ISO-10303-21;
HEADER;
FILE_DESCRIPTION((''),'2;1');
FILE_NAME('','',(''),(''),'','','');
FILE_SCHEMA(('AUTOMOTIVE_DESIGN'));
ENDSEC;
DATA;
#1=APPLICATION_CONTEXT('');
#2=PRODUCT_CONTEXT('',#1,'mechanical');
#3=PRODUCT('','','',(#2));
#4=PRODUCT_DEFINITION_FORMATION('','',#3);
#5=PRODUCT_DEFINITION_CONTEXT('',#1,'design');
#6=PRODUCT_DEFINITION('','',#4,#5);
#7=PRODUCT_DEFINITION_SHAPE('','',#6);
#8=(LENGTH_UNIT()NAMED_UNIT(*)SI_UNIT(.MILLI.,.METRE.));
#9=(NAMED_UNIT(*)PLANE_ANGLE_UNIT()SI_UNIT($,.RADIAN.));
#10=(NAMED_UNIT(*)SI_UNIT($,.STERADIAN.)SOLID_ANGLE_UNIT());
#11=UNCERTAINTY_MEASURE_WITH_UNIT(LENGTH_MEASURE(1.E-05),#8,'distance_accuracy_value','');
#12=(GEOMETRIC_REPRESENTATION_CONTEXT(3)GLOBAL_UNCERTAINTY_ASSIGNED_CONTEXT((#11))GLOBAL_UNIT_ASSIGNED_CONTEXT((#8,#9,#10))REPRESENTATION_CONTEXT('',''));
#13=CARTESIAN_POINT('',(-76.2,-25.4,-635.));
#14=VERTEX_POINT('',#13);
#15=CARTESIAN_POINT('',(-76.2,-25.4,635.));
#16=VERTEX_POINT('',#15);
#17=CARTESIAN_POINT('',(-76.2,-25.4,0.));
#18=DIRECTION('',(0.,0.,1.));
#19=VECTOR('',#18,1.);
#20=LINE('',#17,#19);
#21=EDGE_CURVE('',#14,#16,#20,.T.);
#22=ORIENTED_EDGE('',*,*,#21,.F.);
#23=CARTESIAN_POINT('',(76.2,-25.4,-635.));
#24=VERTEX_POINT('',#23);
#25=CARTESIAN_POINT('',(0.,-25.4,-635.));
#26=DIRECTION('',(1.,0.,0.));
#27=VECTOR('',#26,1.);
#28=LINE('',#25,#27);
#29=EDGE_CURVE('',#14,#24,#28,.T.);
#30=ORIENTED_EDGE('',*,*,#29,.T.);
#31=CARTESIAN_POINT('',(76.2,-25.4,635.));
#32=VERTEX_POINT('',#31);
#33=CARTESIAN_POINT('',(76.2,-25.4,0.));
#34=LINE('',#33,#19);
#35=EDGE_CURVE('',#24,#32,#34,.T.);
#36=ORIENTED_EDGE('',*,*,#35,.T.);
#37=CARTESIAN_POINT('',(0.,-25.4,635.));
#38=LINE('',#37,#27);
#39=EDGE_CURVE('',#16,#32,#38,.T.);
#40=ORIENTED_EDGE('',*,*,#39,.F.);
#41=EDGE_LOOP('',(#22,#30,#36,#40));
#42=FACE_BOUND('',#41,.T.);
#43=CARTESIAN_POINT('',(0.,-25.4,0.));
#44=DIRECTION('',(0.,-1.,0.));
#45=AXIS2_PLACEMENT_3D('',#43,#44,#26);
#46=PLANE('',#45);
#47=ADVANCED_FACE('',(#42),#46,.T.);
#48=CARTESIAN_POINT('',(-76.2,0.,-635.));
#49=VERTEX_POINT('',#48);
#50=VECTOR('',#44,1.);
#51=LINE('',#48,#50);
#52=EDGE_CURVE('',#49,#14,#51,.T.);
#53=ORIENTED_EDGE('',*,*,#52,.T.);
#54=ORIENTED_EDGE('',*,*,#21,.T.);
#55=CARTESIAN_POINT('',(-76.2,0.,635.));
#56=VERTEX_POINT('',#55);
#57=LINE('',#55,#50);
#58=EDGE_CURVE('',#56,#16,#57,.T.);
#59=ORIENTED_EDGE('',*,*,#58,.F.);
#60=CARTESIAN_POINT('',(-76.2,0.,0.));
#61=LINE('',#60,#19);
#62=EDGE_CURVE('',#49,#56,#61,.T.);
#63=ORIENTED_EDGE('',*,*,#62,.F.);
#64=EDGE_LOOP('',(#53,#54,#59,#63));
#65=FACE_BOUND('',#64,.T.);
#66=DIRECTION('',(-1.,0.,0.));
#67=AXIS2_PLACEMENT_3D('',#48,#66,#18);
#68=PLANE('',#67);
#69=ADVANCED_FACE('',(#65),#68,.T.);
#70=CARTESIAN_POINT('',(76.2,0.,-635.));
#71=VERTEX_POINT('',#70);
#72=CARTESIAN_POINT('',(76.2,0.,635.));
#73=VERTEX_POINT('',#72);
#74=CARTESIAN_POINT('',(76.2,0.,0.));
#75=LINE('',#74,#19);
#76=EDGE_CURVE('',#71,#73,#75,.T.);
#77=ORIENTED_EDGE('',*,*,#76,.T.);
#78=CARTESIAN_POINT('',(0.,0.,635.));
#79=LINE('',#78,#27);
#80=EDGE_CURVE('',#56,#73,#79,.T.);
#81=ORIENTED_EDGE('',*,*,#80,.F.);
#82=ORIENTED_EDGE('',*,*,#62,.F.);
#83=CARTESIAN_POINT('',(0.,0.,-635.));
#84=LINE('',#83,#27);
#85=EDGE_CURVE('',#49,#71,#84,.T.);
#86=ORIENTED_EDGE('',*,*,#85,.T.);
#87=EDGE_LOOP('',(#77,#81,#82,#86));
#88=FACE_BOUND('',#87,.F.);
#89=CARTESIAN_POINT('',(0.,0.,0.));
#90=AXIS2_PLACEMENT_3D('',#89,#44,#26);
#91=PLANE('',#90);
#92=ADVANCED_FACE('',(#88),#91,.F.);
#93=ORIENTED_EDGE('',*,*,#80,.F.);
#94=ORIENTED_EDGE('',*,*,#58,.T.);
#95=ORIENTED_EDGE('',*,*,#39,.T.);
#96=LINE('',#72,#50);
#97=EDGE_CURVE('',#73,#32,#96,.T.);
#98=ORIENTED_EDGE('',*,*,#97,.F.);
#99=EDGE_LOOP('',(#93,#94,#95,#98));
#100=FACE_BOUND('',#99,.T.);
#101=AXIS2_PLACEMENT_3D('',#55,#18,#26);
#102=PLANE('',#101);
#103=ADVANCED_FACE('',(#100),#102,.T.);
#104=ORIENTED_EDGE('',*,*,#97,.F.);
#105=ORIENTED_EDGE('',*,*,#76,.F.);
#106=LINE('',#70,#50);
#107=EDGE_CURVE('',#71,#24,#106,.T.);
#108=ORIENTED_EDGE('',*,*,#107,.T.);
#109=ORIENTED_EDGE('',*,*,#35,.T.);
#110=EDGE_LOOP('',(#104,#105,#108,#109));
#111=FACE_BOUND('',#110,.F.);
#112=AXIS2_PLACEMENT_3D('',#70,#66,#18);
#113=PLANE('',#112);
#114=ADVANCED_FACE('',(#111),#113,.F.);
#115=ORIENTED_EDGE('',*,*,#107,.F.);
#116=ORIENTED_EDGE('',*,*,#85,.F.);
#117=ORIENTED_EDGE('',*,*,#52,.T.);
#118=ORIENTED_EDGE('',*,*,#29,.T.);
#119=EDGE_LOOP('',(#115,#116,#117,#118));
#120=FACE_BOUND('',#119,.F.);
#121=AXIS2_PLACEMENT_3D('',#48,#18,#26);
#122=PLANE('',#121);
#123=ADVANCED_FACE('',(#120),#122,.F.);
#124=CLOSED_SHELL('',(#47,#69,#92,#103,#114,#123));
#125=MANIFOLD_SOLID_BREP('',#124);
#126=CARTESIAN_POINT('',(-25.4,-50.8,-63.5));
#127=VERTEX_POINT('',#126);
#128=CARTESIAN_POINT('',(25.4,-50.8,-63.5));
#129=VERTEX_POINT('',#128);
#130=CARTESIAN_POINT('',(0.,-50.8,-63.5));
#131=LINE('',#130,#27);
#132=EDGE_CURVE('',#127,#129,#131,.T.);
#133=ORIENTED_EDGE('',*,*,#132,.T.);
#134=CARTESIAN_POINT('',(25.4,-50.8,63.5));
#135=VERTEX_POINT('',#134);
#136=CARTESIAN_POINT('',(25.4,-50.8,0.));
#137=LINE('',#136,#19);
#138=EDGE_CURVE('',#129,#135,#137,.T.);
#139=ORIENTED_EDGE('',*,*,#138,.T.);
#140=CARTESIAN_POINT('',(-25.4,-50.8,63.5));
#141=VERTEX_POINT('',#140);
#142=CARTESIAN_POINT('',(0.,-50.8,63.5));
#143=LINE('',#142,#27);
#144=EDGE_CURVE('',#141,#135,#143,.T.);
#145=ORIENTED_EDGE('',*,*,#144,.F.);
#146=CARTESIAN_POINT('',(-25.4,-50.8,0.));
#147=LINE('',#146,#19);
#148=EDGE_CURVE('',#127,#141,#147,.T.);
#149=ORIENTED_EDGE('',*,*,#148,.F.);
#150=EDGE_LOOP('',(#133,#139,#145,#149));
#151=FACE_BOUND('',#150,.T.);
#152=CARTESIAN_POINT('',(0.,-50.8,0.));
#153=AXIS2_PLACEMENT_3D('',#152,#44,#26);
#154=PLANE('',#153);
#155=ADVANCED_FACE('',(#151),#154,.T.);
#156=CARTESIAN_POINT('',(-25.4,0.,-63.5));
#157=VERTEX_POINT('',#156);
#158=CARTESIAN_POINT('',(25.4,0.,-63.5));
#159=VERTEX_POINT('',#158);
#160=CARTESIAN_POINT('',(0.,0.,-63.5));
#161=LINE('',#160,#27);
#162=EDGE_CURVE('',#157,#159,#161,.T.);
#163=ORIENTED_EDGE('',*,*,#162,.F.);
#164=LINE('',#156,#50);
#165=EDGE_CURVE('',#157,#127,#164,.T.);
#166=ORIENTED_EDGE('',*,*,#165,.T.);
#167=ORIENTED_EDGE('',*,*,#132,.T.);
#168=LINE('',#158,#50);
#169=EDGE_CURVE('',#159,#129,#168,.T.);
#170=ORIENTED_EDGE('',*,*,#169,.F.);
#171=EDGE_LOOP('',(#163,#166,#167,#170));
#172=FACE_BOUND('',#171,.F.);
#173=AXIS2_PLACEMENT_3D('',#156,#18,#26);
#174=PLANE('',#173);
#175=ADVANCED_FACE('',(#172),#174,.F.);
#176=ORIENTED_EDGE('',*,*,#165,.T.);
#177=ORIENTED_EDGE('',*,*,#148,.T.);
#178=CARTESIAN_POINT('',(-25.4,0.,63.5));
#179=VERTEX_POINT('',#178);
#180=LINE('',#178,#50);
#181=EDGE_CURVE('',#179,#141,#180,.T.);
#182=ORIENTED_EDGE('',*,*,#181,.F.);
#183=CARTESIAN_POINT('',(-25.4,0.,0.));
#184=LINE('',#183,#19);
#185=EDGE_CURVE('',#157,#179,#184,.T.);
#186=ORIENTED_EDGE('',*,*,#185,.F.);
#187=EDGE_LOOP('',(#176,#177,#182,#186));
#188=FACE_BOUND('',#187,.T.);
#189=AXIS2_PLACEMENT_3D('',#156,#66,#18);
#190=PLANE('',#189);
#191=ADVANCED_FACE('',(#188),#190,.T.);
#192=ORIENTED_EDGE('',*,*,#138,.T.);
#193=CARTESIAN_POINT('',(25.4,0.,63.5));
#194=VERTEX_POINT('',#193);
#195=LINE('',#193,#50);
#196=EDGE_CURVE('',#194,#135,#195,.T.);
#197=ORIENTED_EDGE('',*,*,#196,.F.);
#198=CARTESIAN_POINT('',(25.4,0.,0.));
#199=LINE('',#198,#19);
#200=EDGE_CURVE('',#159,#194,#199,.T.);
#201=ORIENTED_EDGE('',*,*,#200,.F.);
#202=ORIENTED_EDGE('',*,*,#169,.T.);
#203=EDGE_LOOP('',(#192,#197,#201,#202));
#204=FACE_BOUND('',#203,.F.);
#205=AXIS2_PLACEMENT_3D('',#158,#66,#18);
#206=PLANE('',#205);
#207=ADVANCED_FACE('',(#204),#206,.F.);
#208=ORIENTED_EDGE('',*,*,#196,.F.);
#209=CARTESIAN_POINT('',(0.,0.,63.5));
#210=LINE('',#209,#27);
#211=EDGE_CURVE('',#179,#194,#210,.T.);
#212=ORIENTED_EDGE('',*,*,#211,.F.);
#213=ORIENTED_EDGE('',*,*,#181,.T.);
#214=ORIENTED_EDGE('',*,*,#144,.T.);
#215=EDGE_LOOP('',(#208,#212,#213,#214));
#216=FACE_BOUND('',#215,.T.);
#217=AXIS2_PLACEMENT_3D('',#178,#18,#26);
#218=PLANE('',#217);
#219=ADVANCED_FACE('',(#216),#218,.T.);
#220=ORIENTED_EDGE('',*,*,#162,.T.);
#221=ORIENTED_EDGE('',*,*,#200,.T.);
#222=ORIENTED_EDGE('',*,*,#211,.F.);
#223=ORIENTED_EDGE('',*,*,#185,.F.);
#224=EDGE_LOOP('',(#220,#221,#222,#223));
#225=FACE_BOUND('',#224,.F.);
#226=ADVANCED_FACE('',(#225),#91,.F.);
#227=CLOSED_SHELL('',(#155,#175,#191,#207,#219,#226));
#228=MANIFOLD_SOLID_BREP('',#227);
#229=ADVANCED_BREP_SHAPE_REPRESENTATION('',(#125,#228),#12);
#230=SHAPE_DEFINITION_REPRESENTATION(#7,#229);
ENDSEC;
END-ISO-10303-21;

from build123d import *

# Parameters (mm, degrees)
F0_W     = 152.4
F0_H     = 1270
F1_DEPTH = 25.4
F2_W     = 50.8
F2_H     = 127
F3_DEPTH = 50.8


with BuildPart() as f1:
    # F0 (on Front) → F1 (new body)
    with BuildSketch(Plane.XZ):
        Rectangle(F0_W, F0_H)
    extrude(amount=F1_DEPTH)


with BuildPart() as f3:
    # F2 (on Front) → F3 (new body)
    with BuildSketch(Plane.XZ):
        Rectangle(F2_W, F2_H)
    extrude(amount=F3_DEPTH)


solid = Compound([f1.part, f3.part])
